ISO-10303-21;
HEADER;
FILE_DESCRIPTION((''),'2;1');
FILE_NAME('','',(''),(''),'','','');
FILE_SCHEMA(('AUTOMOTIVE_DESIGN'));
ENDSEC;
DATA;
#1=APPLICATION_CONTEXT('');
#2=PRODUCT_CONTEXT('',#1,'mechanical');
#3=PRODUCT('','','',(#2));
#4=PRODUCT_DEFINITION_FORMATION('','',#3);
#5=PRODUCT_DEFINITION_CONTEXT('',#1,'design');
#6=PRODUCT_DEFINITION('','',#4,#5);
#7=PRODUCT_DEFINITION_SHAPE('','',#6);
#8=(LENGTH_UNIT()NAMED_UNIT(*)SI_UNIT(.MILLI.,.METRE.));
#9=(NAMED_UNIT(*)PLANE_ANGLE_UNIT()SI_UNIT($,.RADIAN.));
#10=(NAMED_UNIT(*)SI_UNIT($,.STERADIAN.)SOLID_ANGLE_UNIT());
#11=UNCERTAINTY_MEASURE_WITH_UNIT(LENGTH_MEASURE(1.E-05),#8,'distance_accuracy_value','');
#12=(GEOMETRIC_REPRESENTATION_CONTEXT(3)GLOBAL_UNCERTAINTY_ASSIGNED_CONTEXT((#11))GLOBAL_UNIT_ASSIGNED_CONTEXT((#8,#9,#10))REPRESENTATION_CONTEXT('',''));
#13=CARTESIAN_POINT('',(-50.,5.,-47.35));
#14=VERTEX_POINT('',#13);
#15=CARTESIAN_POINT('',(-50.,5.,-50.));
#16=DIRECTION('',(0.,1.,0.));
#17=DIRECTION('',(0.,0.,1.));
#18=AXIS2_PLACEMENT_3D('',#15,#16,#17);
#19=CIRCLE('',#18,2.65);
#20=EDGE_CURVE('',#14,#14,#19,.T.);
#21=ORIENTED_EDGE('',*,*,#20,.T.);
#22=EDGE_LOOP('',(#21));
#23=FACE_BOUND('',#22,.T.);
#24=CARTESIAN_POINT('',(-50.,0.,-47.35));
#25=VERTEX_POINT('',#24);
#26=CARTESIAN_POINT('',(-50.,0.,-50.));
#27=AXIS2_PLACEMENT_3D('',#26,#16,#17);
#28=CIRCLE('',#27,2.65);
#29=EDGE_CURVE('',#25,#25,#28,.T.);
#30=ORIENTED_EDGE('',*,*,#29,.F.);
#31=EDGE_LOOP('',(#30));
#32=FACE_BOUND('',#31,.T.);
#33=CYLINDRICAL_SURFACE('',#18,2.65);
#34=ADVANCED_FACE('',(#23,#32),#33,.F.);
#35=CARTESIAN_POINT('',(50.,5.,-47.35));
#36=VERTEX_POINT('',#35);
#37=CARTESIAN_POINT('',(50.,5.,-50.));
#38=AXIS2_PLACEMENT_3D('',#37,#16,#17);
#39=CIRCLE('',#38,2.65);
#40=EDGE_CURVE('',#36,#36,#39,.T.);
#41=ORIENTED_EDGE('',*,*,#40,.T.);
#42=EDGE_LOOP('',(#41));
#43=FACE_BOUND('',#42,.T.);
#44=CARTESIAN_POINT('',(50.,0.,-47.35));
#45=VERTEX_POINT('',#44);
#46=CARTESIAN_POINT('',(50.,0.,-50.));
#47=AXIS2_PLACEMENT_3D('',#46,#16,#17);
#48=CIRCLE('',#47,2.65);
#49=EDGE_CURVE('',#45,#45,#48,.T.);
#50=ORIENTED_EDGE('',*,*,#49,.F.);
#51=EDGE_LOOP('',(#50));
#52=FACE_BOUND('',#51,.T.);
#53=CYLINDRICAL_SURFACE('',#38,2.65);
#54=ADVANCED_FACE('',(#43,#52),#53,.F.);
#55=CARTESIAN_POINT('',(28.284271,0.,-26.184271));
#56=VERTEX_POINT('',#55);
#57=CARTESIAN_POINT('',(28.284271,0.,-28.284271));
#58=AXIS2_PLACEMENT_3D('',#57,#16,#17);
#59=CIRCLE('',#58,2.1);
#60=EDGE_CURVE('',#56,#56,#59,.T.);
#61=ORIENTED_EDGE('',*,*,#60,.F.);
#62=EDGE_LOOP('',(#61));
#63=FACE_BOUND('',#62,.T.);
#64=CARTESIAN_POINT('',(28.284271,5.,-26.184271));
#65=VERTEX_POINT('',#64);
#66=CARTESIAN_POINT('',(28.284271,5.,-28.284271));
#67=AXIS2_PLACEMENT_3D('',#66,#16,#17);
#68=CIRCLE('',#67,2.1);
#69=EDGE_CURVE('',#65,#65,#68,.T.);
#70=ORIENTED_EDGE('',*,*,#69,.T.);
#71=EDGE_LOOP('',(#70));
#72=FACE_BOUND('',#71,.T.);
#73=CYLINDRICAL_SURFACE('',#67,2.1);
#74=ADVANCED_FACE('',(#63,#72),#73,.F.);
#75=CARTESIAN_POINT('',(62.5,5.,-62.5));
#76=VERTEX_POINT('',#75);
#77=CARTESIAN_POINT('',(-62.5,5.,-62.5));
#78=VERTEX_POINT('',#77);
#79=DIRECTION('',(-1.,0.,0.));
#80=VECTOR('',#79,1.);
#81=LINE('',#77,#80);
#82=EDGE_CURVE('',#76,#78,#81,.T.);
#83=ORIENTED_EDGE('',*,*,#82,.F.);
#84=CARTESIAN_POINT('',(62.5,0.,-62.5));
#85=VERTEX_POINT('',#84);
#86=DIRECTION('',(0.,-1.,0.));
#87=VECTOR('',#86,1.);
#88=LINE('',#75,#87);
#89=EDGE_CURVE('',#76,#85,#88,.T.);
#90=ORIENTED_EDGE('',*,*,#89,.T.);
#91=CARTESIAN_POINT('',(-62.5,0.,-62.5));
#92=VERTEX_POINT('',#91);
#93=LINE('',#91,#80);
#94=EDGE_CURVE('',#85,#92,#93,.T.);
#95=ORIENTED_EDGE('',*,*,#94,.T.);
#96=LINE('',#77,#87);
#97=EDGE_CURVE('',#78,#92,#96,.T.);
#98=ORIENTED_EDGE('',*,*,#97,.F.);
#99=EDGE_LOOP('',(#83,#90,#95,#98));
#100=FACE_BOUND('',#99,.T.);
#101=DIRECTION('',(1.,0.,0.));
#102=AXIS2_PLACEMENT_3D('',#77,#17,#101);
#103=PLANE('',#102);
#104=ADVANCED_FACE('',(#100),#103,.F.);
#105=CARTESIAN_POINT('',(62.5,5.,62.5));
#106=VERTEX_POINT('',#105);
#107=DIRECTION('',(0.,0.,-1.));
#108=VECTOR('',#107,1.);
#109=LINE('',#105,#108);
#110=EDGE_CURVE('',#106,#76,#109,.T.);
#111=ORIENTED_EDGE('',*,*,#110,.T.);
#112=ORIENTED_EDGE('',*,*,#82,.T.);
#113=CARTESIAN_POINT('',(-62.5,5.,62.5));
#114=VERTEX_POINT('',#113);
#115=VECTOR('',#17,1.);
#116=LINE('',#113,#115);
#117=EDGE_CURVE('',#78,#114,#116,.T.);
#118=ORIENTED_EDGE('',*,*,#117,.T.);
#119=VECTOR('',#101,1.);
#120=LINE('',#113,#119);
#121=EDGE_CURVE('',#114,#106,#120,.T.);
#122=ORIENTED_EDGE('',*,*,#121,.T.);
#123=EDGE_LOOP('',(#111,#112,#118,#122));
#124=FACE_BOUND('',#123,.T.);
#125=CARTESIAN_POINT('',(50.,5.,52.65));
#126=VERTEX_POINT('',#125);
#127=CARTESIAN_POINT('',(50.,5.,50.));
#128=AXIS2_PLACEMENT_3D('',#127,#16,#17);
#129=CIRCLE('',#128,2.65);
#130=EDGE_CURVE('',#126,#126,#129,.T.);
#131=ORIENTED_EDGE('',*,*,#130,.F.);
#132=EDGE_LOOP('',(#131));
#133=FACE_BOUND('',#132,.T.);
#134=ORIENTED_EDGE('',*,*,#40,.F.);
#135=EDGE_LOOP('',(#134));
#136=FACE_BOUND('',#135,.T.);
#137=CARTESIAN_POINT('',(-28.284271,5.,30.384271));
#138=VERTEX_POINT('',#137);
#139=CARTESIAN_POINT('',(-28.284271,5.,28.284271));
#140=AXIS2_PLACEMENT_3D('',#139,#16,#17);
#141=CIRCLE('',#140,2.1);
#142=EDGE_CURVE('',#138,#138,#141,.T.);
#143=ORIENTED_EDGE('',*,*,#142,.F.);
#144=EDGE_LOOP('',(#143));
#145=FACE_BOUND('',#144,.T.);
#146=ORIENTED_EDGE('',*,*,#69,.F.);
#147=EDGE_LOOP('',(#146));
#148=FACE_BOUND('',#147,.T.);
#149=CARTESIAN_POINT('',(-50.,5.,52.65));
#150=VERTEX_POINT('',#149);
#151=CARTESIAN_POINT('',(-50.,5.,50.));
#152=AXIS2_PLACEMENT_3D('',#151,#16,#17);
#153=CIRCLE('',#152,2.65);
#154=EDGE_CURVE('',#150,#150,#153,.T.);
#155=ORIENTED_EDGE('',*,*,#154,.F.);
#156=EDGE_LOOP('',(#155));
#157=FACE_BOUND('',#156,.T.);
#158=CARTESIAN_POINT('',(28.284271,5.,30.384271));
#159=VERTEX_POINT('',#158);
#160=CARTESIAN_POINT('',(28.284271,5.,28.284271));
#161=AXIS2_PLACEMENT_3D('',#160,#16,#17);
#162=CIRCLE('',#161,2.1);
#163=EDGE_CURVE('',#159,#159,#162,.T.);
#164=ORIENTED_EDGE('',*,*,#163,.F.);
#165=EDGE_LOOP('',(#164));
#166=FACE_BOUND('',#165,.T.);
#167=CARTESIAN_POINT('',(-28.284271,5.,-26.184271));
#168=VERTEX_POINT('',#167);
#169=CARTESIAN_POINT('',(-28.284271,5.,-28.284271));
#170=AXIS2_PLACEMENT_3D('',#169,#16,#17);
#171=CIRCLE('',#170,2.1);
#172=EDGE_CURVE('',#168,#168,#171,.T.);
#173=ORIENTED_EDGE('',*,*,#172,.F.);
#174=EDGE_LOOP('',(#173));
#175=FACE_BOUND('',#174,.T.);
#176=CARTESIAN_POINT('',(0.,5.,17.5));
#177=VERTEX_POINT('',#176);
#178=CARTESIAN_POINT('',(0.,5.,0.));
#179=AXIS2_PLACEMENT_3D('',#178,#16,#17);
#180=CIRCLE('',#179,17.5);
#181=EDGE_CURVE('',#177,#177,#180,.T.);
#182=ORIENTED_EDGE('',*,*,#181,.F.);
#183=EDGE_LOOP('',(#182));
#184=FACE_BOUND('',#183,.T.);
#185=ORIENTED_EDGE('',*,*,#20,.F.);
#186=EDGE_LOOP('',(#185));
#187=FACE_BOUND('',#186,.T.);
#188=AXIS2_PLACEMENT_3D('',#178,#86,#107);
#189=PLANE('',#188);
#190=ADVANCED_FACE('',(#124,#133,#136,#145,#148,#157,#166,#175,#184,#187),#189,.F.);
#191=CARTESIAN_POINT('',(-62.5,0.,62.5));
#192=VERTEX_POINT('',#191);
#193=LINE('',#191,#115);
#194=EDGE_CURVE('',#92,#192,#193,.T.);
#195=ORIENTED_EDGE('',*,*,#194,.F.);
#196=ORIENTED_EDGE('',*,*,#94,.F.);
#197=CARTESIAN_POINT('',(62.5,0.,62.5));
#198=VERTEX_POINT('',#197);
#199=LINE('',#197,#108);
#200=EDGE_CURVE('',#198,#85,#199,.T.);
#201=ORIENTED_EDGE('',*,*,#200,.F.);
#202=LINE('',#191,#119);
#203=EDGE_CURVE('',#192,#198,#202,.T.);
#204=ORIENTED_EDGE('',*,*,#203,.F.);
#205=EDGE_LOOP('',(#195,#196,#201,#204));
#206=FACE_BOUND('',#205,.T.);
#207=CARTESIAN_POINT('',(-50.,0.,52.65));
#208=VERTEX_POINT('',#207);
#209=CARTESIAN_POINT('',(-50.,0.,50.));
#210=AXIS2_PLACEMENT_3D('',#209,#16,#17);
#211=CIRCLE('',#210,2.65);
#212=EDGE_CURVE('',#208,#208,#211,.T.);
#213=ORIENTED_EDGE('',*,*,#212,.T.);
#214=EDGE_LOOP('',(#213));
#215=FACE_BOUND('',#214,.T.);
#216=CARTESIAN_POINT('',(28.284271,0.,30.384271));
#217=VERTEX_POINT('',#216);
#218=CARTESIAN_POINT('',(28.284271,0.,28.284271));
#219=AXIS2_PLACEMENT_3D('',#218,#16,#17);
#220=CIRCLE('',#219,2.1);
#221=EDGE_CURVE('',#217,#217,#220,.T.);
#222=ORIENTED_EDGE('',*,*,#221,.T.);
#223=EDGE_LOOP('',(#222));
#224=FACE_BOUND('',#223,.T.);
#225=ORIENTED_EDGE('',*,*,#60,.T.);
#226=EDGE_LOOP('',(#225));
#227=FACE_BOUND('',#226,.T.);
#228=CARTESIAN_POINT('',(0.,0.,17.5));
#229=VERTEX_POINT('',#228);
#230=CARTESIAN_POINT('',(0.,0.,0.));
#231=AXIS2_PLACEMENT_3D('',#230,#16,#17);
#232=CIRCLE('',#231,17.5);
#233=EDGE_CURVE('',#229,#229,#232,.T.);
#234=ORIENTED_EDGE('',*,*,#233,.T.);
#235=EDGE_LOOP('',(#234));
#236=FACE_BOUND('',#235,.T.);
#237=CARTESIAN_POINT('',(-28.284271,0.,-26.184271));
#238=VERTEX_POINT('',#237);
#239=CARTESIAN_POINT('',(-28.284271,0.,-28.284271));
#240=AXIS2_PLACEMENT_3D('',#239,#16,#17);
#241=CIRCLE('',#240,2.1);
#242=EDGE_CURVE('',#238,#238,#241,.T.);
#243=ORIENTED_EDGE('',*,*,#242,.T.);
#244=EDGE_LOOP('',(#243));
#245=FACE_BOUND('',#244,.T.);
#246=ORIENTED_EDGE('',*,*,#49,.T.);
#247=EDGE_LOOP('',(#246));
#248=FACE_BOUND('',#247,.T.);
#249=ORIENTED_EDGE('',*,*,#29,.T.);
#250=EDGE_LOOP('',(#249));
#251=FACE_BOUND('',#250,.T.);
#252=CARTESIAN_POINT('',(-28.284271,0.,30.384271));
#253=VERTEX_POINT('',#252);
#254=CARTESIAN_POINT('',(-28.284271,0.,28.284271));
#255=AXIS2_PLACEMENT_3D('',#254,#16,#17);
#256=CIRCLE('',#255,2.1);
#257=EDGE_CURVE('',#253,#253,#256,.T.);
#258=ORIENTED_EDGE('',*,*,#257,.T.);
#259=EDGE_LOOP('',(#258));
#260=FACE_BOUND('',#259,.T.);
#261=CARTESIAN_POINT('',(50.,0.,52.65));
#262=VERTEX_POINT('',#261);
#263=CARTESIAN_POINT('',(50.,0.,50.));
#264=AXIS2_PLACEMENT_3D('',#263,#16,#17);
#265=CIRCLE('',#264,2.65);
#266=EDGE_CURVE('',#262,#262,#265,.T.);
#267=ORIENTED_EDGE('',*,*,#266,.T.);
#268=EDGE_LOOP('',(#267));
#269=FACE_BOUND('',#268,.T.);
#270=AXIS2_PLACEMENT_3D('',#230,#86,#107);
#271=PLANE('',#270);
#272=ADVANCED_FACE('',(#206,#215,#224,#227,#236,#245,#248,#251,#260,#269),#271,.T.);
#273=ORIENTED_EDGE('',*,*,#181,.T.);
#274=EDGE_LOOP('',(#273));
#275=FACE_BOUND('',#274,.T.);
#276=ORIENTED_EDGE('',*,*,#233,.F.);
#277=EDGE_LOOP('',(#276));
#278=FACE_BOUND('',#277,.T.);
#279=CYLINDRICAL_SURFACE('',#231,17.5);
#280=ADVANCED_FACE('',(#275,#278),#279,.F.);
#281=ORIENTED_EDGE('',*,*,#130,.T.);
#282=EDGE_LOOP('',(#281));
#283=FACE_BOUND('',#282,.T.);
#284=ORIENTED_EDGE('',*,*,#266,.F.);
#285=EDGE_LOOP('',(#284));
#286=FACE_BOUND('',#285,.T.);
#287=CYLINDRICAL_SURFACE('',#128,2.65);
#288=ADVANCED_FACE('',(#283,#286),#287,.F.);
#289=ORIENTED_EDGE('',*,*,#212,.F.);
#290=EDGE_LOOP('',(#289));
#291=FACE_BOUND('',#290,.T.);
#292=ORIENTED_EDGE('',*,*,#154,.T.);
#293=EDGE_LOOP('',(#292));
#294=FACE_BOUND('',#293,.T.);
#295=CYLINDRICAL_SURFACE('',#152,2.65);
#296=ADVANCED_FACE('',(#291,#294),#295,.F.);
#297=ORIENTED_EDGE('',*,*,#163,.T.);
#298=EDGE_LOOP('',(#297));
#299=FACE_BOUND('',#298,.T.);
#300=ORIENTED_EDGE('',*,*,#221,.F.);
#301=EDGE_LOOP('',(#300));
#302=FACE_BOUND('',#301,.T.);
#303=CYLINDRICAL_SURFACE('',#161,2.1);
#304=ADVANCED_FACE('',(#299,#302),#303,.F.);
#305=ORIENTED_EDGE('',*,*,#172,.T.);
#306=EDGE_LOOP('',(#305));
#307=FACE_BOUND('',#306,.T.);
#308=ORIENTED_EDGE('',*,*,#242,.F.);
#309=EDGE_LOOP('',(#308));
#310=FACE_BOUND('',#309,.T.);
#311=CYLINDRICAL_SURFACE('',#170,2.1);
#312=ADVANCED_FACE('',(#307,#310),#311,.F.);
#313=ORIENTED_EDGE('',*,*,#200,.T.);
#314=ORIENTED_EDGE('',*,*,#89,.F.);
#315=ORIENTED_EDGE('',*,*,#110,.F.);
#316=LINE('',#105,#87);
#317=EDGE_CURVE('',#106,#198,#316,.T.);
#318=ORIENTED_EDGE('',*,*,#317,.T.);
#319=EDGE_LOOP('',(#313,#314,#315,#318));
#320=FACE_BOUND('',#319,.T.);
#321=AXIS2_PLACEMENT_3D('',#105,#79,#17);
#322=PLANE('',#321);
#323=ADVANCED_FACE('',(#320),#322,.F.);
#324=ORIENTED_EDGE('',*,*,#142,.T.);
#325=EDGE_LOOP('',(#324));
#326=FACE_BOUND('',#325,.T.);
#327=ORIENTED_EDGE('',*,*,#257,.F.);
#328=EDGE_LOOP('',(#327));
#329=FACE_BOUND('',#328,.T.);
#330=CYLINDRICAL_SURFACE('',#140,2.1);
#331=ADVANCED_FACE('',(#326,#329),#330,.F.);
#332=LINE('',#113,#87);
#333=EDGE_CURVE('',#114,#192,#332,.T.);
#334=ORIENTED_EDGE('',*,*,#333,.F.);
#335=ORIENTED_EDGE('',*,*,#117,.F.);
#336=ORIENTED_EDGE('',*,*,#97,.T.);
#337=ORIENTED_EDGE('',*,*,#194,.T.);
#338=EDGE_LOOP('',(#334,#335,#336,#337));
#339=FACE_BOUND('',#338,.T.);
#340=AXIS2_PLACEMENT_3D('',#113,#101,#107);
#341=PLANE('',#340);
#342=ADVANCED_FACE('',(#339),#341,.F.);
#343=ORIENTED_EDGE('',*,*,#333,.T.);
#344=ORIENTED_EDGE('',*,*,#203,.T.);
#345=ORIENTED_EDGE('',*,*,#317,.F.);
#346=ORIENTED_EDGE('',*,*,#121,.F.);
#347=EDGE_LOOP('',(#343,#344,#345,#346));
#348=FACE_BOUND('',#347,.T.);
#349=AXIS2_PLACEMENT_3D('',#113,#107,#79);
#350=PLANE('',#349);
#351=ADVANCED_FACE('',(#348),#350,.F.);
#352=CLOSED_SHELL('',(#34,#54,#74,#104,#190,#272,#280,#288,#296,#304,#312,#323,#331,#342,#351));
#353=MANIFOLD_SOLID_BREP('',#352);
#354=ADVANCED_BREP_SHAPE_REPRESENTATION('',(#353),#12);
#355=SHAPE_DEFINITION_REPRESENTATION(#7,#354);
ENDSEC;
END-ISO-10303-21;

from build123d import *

# Parameters (mm, degrees)
ESBO_O1_W                               = 125
ESBO_O1_H                               = 125
RESSALTO_EXTRUS_O1_DEPTH                = 5
ESBO_O2_R                               = 17.5
CORTE_EXTRUS_O1_DEPTH                   = 89.529656048
BROCA_DE_ROSQUEAR_PARA_TARRAXA_DE_M51_D = 4.2
FURO_COM_FOLGA_DE_M51_D                 = 5.3


with BuildPart() as part:
    # Esboço1 → Ressalto-extrusão1 (new body)
    with BuildSketch(Plane(origin=(0, 0, 0), x_dir=(1, 0, 0), z_dir=(0, 1, 0))):
        Rectangle(ESBO_O1_W, ESBO_O1_H)
    extrude(amount=RESSALTO_EXTRUS_O1_DEPTH)

    # Esboço2 → Corte-extrusão1 (cut, through all)
    with BuildSketch(Plane(origin=(0, 5, 0), x_dir=(1, 0, 0), z_dir=(0, 1, 0))):
        with Locations(Location((0, 0, 0), (0, 0, 270))):
            Circle(ESBO_O2_R)
    extrude(amount=-CORTE_EXTRUS_O1_DEPTH, mode=Mode.SUBTRACT)

    # Broca de rosquear para tarraxa de M51 (through all)
    with Locations(Plane(origin=(0, 5, 0), x_dir=(1, 0, 0), z_dir=(0, 1, 0))):
        with Locations((28.284271247, 28.284271247), (28.284271247, -28.284271247), (-28.284271247, -28.284271247), (-28.284271247, 28.284271247)):
            Hole(BROCA_DE_ROSQUEAR_PARA_TARRAXA_DE_M51_D / 2)

    # Furo com folga de M51 (through all)
    with Locations(Plane(origin=(0, 5, 0), x_dir=(1, 0, 0), z_dir=(0, 1, 0))):
        with Locations((-50, -50), (-50, 50), (50, 50), (50, -50)):
            Hole(FURO_COM_FOLGA_DE_M51_D / 2)


solid = part.part
